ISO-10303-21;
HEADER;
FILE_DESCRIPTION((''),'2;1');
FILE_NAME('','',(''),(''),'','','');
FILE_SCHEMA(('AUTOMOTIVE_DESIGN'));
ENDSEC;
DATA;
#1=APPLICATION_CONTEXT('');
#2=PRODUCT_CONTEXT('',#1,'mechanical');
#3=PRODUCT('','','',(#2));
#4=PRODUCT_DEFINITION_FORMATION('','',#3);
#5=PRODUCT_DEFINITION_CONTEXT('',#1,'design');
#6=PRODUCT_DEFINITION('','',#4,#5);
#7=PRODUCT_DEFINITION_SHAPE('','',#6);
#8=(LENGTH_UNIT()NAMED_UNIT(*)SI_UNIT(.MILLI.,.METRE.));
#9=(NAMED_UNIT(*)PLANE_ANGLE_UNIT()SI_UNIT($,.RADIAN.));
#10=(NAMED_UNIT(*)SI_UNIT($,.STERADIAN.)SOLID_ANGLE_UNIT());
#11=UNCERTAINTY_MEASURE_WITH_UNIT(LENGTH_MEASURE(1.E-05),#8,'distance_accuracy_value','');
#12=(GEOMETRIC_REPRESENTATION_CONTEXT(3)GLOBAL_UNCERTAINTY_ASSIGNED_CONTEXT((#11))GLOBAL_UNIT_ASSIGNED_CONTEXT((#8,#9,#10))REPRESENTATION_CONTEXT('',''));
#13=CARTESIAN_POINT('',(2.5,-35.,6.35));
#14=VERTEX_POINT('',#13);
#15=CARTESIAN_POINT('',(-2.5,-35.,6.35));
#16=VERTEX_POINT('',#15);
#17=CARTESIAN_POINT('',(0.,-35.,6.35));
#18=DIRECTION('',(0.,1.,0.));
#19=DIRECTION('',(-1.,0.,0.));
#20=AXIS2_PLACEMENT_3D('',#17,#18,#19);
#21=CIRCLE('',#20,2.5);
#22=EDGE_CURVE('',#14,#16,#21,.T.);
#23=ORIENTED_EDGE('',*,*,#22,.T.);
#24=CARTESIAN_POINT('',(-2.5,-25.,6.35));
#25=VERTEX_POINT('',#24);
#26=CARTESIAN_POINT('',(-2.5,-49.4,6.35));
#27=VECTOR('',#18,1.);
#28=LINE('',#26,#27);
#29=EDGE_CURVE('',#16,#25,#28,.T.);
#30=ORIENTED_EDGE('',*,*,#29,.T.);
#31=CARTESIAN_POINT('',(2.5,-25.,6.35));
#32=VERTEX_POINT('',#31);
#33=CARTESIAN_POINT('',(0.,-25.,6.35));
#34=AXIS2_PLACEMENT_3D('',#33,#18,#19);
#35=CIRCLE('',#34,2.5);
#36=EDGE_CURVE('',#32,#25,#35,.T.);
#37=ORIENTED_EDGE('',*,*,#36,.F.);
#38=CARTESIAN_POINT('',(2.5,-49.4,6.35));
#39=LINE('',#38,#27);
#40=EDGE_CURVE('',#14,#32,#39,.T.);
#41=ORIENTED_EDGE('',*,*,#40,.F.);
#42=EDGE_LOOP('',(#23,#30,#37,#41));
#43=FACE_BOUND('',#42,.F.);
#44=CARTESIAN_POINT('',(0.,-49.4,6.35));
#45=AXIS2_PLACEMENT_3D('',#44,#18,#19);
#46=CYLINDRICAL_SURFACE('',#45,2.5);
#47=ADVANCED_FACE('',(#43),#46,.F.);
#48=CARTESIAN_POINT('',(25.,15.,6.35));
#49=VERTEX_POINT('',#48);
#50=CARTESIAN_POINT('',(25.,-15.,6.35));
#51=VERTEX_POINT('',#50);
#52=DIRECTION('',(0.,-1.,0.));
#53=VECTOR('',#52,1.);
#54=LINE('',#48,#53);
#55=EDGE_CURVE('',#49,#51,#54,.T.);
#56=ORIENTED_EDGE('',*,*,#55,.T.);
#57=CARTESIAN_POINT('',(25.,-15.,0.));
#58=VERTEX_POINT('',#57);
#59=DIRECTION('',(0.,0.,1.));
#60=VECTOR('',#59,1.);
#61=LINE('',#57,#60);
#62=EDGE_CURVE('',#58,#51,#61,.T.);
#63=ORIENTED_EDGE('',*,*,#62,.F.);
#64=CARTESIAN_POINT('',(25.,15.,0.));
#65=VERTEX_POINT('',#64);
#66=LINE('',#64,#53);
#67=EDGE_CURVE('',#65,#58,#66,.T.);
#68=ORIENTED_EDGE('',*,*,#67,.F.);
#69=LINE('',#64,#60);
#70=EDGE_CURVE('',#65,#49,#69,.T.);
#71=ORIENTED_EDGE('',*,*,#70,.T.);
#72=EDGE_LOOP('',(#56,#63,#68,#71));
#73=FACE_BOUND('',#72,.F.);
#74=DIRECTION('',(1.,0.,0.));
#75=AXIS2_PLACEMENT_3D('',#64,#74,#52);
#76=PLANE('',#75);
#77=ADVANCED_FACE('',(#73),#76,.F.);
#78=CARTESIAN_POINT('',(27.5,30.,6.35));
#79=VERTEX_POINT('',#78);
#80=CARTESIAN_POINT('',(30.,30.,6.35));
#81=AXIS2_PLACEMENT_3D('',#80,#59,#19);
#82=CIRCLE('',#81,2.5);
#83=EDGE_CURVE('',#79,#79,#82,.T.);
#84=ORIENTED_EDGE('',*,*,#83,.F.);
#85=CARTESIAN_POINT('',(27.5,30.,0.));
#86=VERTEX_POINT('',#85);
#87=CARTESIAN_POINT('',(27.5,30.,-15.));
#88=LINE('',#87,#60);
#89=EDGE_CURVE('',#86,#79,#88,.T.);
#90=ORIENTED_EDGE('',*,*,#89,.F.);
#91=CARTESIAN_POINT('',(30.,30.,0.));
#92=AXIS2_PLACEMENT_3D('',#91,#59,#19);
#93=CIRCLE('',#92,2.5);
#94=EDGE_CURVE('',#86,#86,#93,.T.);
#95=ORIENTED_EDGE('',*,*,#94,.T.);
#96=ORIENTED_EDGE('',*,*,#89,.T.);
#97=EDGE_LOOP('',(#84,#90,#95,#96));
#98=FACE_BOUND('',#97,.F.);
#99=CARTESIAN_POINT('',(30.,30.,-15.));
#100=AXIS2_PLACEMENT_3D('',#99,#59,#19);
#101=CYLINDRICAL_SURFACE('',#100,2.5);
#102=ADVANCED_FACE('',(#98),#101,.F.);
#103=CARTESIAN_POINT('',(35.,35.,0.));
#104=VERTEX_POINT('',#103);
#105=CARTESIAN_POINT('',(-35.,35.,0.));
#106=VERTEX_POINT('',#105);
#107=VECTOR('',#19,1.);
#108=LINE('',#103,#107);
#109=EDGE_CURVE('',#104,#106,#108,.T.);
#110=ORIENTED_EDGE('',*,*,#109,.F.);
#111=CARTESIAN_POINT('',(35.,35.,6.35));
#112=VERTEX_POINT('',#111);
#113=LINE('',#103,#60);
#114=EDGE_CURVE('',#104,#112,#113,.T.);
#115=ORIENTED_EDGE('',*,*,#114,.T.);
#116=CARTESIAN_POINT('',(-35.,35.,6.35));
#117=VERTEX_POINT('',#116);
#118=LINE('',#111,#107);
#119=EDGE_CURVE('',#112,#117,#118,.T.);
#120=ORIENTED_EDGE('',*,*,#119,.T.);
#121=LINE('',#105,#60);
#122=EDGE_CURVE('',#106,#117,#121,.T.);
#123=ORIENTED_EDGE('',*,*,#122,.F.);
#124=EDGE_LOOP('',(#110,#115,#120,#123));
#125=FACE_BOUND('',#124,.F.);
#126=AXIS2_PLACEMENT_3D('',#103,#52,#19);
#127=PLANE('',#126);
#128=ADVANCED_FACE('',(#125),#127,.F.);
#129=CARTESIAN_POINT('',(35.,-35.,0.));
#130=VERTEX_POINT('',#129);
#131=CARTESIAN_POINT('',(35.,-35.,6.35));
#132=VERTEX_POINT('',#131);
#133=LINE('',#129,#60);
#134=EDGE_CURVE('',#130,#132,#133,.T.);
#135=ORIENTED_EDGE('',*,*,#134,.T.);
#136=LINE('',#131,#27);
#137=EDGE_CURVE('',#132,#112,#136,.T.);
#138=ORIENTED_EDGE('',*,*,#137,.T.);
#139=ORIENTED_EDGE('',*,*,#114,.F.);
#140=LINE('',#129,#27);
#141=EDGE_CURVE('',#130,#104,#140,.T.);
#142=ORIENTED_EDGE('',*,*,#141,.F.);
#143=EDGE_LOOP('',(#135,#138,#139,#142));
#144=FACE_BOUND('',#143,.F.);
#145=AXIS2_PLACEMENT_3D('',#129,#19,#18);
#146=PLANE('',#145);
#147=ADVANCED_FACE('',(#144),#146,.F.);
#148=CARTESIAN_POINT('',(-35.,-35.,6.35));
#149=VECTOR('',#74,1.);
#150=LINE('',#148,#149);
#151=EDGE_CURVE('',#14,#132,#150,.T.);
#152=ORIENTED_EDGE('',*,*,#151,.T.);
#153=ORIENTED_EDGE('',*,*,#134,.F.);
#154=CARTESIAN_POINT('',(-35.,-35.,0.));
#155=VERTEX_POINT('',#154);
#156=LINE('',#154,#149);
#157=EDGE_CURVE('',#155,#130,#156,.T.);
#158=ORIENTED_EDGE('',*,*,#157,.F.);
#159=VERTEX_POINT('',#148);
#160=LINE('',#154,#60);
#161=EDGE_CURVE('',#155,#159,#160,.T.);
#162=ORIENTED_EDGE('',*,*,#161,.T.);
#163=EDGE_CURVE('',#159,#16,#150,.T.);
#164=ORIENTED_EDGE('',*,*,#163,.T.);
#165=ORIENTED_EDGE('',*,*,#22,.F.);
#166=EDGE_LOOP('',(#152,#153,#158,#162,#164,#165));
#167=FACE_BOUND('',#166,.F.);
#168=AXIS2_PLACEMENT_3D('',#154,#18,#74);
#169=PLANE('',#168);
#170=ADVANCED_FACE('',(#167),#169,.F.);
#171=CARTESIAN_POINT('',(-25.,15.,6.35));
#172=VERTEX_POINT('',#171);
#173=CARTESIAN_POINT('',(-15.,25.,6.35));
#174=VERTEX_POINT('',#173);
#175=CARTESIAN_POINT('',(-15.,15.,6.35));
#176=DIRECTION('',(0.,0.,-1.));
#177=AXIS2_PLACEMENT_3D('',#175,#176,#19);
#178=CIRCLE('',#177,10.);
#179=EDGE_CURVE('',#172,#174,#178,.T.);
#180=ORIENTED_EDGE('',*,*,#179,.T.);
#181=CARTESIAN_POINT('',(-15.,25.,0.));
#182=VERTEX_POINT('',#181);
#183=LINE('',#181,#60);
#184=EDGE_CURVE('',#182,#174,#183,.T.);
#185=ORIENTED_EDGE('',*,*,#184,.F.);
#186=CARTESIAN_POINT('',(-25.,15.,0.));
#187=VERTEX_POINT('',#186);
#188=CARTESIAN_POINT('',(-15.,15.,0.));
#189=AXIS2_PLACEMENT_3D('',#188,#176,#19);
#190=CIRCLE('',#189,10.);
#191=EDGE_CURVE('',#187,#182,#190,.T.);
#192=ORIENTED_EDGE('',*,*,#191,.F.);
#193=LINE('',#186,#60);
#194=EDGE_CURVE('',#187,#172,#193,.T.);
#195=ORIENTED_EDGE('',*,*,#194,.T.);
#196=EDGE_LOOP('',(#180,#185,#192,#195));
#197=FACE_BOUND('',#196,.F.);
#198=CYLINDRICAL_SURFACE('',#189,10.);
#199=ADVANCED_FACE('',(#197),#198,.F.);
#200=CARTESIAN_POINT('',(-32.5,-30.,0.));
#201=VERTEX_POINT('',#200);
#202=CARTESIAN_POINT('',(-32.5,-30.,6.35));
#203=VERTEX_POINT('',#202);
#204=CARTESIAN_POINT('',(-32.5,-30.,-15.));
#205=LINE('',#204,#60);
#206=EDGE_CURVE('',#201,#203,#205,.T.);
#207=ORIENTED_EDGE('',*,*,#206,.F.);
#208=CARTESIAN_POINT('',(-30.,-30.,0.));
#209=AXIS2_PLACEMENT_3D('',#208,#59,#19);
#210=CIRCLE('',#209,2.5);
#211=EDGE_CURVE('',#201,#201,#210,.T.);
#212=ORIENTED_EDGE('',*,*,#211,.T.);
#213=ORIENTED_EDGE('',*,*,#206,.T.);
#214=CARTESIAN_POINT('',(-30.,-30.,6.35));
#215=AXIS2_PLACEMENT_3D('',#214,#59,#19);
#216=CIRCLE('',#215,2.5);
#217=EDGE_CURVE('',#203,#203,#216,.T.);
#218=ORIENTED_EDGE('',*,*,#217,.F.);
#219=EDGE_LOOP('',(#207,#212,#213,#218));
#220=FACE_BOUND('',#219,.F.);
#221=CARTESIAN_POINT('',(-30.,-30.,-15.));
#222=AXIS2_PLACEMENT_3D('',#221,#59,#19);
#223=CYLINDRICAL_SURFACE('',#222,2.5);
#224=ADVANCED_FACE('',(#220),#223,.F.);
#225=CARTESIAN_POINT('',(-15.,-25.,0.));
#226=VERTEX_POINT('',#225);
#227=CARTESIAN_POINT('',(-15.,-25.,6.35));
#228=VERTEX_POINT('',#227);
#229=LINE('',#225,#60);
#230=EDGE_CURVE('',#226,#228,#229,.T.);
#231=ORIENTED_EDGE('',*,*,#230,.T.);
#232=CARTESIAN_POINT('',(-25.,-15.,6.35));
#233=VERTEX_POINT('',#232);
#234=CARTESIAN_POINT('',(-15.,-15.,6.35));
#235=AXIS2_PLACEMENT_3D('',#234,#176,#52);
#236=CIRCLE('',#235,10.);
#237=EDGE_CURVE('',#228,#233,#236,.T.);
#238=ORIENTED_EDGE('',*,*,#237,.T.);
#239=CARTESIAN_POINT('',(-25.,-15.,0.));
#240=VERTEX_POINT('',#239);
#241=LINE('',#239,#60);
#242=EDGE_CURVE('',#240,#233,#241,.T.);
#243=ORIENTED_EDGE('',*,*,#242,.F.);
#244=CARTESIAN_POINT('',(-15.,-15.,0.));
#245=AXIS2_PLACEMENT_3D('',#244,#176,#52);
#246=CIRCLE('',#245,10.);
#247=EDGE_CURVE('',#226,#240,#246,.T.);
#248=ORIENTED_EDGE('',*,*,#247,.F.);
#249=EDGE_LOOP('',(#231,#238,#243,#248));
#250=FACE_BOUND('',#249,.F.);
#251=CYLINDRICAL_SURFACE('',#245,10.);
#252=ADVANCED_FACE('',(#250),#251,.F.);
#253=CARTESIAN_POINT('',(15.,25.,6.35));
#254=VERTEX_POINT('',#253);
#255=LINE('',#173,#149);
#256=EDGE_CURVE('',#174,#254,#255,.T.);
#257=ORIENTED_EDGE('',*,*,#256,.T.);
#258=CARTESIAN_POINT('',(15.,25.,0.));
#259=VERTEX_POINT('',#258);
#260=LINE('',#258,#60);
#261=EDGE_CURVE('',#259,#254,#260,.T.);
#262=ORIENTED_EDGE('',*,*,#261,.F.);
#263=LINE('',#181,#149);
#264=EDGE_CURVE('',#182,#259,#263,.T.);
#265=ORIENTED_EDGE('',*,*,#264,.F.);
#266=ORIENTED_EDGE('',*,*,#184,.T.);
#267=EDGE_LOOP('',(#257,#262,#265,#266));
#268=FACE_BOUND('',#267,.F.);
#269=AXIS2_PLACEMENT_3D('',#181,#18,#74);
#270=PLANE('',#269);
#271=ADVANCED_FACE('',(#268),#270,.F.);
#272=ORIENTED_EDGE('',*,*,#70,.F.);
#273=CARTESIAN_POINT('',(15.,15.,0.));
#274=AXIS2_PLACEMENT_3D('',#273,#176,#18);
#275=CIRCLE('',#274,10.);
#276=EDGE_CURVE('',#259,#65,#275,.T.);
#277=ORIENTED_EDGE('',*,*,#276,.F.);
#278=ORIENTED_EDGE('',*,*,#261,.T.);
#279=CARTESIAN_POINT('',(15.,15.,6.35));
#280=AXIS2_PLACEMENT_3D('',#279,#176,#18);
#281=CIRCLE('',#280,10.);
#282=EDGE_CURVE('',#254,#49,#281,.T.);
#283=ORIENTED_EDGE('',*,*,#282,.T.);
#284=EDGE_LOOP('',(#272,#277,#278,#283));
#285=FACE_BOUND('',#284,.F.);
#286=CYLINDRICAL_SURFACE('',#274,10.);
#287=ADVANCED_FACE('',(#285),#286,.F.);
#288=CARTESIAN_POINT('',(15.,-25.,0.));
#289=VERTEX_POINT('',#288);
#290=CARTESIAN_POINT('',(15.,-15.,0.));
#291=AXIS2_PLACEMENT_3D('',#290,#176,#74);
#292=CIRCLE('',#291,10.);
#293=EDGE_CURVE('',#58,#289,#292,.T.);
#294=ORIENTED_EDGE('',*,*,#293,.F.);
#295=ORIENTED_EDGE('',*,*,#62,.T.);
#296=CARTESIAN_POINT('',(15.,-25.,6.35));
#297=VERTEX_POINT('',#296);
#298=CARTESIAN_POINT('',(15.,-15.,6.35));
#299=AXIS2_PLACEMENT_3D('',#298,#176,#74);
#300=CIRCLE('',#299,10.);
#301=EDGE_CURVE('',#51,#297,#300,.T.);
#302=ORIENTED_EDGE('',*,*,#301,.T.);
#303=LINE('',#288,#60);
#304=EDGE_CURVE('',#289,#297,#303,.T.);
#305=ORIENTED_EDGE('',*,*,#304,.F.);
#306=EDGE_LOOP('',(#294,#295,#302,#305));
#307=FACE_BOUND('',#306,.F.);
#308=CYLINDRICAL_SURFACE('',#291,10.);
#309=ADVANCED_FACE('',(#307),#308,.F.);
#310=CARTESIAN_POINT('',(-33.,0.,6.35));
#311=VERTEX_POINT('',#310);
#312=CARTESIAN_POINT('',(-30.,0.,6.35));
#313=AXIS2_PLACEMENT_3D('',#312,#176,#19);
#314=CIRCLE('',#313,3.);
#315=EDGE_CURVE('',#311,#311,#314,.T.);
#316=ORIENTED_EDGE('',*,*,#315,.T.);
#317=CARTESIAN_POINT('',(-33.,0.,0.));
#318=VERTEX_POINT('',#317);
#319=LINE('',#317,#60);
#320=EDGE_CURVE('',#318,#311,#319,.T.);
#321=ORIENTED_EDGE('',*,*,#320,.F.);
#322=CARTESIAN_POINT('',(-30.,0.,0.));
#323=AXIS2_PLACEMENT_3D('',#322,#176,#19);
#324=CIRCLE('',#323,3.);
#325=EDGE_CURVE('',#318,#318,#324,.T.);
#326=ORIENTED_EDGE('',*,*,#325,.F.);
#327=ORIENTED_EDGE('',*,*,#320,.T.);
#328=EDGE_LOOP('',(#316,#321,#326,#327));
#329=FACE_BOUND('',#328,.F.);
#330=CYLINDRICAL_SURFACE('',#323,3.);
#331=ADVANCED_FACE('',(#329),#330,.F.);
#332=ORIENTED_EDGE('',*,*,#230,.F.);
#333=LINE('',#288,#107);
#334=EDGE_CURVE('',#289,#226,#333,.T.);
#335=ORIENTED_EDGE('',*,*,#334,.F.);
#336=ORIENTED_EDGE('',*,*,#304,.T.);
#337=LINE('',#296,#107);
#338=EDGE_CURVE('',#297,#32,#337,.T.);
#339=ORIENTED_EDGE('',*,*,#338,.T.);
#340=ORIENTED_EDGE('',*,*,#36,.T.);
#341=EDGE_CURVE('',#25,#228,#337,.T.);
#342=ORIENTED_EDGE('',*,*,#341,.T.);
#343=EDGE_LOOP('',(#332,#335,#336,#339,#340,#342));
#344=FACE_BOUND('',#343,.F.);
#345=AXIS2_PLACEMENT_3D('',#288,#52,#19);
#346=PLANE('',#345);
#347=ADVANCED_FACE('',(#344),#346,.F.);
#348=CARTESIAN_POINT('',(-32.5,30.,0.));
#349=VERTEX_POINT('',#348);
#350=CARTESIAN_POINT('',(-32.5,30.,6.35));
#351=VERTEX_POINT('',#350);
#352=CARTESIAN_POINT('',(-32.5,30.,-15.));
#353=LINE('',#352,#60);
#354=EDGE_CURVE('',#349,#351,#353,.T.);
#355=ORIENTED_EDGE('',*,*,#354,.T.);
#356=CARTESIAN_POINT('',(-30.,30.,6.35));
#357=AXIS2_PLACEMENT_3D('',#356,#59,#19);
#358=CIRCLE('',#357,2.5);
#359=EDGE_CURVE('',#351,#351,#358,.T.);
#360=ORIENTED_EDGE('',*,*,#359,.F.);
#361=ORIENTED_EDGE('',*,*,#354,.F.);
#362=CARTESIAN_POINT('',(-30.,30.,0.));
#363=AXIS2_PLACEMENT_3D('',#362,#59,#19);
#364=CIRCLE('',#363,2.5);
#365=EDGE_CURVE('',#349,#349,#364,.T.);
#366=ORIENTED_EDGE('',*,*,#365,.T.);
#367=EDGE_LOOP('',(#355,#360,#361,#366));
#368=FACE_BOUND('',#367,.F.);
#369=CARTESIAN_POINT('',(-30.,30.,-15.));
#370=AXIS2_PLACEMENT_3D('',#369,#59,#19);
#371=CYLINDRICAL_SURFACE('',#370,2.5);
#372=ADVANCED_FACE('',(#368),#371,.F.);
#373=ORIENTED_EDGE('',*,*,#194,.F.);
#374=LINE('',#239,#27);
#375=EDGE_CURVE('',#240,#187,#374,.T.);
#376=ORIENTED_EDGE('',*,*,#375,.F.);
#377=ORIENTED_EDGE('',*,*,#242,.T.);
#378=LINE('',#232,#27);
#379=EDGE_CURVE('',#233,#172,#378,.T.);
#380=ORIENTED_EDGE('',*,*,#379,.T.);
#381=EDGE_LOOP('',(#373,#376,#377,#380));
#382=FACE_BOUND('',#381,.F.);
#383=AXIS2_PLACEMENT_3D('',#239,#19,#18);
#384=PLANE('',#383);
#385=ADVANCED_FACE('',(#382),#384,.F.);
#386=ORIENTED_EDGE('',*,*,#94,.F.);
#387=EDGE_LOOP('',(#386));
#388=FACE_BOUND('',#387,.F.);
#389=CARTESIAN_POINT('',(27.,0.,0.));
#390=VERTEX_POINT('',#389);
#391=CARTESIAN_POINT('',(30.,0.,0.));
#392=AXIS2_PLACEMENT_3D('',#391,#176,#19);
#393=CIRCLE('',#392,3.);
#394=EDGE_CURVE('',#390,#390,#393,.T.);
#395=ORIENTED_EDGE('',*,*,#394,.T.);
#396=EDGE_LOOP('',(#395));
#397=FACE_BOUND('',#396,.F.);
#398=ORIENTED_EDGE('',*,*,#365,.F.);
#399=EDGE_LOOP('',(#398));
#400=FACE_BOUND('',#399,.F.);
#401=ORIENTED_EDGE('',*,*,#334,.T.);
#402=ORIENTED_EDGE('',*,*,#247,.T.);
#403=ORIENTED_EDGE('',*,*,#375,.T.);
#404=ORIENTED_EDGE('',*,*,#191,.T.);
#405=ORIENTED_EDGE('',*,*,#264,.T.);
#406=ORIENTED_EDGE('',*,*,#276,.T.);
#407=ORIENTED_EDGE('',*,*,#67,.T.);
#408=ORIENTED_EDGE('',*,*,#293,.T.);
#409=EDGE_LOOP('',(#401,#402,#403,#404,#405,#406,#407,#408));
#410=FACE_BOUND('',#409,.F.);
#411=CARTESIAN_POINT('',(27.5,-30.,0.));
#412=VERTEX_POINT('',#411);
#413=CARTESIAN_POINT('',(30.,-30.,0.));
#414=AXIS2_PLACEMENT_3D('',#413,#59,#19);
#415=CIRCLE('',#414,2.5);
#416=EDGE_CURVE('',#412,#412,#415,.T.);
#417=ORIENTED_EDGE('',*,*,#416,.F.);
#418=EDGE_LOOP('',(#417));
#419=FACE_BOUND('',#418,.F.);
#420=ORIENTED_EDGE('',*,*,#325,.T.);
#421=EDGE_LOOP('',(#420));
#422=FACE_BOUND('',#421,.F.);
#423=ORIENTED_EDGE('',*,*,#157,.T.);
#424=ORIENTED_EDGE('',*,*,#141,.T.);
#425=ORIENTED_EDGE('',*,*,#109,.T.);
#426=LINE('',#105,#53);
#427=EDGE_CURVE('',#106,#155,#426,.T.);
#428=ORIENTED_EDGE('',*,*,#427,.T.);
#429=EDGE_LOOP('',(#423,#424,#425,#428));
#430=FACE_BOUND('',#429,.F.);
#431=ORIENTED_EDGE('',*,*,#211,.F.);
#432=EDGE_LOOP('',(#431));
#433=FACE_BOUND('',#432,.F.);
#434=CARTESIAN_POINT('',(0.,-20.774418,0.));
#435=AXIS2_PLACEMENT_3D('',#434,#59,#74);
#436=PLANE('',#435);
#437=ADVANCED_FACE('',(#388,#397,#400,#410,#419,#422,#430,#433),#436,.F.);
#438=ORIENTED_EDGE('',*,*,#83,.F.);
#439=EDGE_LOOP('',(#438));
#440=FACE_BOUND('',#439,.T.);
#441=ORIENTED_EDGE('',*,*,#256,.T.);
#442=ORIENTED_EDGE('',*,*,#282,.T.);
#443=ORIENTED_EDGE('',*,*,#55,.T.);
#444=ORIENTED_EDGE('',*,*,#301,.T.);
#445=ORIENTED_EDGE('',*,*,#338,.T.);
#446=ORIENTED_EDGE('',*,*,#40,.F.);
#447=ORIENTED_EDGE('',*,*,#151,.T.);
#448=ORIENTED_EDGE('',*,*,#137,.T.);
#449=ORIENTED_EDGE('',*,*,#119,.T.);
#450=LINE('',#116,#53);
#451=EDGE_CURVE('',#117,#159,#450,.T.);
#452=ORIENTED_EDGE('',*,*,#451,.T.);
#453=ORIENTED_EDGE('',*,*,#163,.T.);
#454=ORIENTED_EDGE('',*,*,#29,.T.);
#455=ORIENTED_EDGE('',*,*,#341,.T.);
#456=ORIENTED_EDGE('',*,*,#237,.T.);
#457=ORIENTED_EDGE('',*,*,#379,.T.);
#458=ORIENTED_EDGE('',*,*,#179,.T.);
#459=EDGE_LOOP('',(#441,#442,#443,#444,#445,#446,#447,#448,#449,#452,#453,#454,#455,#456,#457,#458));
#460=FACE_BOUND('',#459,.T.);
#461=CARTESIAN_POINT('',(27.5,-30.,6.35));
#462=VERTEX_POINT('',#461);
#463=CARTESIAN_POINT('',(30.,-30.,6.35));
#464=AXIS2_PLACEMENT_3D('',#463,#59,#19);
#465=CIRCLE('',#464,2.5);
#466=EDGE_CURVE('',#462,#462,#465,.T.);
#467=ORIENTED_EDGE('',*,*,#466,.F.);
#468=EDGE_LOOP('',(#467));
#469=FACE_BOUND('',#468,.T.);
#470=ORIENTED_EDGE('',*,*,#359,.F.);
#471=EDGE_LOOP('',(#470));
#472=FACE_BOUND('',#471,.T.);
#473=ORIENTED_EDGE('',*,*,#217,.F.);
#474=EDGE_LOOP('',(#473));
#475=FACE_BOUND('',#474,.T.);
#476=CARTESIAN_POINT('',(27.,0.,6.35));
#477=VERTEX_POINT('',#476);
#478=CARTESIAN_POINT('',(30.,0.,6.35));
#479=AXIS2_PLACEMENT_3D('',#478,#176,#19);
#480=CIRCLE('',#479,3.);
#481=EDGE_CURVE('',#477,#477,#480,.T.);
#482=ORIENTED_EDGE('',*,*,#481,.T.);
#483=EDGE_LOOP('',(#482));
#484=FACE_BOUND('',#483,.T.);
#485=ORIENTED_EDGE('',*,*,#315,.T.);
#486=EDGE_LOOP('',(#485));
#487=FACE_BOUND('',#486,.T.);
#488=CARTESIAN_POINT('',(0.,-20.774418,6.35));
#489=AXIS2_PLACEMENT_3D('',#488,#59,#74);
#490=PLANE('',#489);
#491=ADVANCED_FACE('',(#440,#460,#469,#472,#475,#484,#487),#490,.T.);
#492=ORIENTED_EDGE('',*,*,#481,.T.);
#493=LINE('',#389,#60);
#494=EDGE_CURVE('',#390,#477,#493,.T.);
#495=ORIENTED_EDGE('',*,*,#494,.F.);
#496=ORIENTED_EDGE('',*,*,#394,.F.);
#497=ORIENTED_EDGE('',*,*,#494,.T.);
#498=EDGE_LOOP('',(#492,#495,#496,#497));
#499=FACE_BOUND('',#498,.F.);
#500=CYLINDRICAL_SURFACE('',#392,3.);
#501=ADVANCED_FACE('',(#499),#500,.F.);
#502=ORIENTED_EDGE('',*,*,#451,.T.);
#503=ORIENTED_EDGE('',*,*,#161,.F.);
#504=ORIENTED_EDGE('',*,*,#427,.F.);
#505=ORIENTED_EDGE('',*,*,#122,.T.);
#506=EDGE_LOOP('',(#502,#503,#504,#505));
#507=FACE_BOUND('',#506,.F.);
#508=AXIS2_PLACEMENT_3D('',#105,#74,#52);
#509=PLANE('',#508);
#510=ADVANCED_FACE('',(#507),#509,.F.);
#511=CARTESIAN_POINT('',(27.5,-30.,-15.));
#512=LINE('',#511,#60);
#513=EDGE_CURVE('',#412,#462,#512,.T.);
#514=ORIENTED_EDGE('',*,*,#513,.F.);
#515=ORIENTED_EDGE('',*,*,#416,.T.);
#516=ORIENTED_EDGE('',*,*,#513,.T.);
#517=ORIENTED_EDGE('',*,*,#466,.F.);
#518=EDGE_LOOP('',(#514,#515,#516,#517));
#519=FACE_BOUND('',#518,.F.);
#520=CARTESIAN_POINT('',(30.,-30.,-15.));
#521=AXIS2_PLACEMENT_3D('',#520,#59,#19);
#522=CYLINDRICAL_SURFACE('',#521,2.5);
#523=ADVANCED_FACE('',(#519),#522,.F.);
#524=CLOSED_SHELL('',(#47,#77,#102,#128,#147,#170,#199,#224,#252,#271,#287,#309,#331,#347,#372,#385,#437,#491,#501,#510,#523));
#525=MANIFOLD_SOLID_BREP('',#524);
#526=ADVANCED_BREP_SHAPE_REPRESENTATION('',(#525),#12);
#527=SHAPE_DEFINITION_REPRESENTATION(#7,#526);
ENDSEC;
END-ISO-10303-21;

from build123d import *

# Parameters (mm, degrees)
F1_DEPTH = 6.35
F3_D     = 5
F3_DEPTH = 14.4
F3_TIP   = 1.5021515476
F5_D     = 5
F5_DEPTH = 15
F5_TIP   = 1.5021515476


with BuildPart() as f1:
    # F0 (on Top) → F1 (new body)
    with BuildSketch(Plane.XY):
        with BuildLine():
            Line((-35, -35), (35, -35))
            Line((35, -35), (35, 0))
            Line((35, 0), (33, 0))
            ThreePointArc((33, 0), (30, -3), (27, 0))
            Line((27, 0), (25, 0))
            Line((25, 0), (25, -15))
            ThreePointArc((25, -15), (22.0710678119, -22.0710678119), (15, -25))
            Line((15, -25), (-15, -25))
            ThreePointArc((-15, -25), (-22.0710678119, -22.0710678119), (-25, -15))
            Line((-25, -15), (-25, 0))
            Line((-25, 0), (-27, 0))
            ThreePointArc((-27, 0), (-30, -3), (-33, 0))
            Line((-33, 0), (-35, 0))
            Line((-35, 0), (-35, -35))
        make_face()
        with BuildLine():
            Line((33, 0), (35, 0))
            Line((35, 0), (35, 35))
            Line((35, 35), (-35, 35))
            Line((-35, 35), (-35, 0))
            Line((-35, 0), (-33, 0))
            ThreePointArc((-33, 0), (-30, 3), (-27, 0))
            Line((-27, 0), (-25, 0))
            Line((-25, 0), (-25, 15))
            ThreePointArc((-25, 15), (-22.0710678119, 22.0710678119), (-15, 25))
            Line((-15, 25), (15, 25))
            ThreePointArc((15, 25), (22.0710678119, 22.0710678119), (25, 15))
            Line((25, 15), (25, 0))
            Line((25, 0), (27, 0))
            ThreePointArc((27, 0), (30, 3), (33, 0))
        make_face()
    extrude(amount=F1_DEPTH)

    # F3
    with Locations(Plane.XZ.offset(35)):
        with Locations((0, 6.35)):
            Hole(F3_D / 2, depth=F3_DEPTH)
            with Locations((0, 0, -(F3_DEPTH + F3_TIP / 2))):  # 118° drill point
                Cone(0, F3_D / 2, F3_TIP, mode=Mode.SUBTRACT)

    # F5
    with Locations(Plane(origin=(0, 0, 0), x_dir=(1, 0, 0), z_dir=(0, 0, -1))):
        with Locations((-30, 30), (30, 30), (30, -30), (-30, -30)):
            Hole(F5_D / 2, depth=F5_DEPTH)
            with Locations((0, 0, -(F5_DEPTH + F5_TIP / 2))):  # 118° drill point
                Cone(0, F5_D / 2, F5_TIP, mode=Mode.SUBTRACT)


solid = f1.part
